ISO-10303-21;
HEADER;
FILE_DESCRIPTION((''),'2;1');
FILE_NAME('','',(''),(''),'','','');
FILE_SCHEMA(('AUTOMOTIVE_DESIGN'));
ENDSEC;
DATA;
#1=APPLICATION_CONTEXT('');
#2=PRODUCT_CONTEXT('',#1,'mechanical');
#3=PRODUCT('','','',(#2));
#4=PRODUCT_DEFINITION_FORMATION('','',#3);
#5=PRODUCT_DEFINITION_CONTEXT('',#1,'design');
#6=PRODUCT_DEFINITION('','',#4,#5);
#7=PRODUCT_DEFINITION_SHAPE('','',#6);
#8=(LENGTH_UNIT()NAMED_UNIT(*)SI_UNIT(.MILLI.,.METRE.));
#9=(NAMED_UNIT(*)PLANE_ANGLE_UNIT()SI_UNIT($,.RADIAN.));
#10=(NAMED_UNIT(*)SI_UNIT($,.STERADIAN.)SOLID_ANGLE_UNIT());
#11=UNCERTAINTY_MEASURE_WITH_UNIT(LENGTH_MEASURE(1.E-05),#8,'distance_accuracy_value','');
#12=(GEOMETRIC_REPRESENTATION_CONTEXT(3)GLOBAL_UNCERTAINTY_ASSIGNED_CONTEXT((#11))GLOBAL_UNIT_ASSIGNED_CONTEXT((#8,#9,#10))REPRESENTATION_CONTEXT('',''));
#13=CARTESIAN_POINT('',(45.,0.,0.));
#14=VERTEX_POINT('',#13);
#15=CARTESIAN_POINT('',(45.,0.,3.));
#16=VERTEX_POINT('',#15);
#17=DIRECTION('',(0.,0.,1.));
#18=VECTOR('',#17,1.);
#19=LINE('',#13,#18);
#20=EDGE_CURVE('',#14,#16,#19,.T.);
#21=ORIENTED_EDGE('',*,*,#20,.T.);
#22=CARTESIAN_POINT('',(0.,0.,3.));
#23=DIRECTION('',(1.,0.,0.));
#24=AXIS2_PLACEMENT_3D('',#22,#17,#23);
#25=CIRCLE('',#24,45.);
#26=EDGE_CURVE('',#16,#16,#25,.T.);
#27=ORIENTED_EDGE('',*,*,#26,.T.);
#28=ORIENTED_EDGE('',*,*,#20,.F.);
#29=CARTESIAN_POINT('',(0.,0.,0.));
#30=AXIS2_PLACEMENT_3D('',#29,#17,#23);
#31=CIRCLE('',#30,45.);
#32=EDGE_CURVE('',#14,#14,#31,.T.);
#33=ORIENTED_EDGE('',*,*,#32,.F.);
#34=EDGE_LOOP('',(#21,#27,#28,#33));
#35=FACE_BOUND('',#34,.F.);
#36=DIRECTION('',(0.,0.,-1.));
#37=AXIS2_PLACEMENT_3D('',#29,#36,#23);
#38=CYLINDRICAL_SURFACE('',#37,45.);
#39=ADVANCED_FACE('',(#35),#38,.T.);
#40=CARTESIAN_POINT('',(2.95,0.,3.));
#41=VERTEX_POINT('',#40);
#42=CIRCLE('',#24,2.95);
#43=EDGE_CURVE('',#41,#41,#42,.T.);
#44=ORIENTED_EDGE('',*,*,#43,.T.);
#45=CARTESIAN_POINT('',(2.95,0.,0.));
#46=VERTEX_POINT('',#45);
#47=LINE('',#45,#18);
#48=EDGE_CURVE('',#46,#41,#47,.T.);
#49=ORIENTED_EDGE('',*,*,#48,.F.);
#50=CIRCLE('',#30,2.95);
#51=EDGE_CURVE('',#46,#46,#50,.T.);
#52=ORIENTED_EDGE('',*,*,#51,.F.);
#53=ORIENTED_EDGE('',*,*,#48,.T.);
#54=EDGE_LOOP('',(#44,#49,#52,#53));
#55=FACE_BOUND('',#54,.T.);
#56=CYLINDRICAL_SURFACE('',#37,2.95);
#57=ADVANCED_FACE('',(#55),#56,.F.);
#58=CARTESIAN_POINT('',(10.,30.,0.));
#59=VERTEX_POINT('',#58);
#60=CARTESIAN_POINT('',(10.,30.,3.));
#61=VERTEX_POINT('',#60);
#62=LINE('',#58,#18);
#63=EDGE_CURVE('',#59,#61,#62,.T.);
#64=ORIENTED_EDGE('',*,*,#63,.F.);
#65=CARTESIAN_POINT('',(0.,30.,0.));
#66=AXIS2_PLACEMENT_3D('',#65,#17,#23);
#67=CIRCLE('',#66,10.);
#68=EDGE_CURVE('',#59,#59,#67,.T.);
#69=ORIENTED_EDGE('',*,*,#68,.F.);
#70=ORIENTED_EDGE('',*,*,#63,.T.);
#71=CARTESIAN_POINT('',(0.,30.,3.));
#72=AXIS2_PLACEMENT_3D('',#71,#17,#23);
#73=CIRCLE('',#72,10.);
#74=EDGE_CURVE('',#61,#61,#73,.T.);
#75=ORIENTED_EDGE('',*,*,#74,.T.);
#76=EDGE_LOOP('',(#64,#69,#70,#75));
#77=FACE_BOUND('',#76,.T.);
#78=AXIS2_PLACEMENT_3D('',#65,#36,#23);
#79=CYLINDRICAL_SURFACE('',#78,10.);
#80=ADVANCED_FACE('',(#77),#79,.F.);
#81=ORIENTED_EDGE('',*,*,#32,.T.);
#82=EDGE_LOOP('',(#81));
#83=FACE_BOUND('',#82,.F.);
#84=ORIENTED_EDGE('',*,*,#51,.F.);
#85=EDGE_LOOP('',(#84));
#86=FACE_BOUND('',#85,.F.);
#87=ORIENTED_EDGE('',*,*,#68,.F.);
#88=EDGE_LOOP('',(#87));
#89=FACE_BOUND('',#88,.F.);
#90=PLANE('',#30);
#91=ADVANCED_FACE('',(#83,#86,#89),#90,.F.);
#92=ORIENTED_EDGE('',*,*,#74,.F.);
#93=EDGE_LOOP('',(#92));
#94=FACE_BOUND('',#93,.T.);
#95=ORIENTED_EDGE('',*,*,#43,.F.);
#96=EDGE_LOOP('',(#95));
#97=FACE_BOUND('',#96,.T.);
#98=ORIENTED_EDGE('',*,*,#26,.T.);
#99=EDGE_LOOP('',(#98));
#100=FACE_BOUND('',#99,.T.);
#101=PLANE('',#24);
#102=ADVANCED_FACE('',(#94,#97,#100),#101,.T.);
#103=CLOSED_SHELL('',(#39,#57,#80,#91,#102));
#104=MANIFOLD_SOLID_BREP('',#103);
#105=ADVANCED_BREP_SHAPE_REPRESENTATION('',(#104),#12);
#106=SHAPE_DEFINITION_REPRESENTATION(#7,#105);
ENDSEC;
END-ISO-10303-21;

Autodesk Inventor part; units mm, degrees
ref_plane "YZ Plane" through (0, 0, 0) normal (1, 0, 0) x (0, 1, 0)
ref_plane "XZ Plane" through (0, 0, 0) normal (0, 1, 0) x (-1, 0, 0)
ref_plane "XY Plane" through (0, 0, 0) normal (0, 0, 1) x (1, 0, 0)
sketch "Sketch1" plane through (0, 0, 0) normal (0, 0, 1) x (1, 0, 0)
  circle A0 centre (0, 0) radius 45
  circle A1 centre (0, 0) radius 2.95
  circle A2 centre (0, 30) radius 10
  dimension "d0" = 90
  dimension "d1" = 5.9
  dimension "d4" = 20
  dimension "d6" = 30
extrude "Extrusion2" add sketch "Sketch1" along normal blind 3
properties part number "OpenROV 2_2 Dev EndCap 90"
